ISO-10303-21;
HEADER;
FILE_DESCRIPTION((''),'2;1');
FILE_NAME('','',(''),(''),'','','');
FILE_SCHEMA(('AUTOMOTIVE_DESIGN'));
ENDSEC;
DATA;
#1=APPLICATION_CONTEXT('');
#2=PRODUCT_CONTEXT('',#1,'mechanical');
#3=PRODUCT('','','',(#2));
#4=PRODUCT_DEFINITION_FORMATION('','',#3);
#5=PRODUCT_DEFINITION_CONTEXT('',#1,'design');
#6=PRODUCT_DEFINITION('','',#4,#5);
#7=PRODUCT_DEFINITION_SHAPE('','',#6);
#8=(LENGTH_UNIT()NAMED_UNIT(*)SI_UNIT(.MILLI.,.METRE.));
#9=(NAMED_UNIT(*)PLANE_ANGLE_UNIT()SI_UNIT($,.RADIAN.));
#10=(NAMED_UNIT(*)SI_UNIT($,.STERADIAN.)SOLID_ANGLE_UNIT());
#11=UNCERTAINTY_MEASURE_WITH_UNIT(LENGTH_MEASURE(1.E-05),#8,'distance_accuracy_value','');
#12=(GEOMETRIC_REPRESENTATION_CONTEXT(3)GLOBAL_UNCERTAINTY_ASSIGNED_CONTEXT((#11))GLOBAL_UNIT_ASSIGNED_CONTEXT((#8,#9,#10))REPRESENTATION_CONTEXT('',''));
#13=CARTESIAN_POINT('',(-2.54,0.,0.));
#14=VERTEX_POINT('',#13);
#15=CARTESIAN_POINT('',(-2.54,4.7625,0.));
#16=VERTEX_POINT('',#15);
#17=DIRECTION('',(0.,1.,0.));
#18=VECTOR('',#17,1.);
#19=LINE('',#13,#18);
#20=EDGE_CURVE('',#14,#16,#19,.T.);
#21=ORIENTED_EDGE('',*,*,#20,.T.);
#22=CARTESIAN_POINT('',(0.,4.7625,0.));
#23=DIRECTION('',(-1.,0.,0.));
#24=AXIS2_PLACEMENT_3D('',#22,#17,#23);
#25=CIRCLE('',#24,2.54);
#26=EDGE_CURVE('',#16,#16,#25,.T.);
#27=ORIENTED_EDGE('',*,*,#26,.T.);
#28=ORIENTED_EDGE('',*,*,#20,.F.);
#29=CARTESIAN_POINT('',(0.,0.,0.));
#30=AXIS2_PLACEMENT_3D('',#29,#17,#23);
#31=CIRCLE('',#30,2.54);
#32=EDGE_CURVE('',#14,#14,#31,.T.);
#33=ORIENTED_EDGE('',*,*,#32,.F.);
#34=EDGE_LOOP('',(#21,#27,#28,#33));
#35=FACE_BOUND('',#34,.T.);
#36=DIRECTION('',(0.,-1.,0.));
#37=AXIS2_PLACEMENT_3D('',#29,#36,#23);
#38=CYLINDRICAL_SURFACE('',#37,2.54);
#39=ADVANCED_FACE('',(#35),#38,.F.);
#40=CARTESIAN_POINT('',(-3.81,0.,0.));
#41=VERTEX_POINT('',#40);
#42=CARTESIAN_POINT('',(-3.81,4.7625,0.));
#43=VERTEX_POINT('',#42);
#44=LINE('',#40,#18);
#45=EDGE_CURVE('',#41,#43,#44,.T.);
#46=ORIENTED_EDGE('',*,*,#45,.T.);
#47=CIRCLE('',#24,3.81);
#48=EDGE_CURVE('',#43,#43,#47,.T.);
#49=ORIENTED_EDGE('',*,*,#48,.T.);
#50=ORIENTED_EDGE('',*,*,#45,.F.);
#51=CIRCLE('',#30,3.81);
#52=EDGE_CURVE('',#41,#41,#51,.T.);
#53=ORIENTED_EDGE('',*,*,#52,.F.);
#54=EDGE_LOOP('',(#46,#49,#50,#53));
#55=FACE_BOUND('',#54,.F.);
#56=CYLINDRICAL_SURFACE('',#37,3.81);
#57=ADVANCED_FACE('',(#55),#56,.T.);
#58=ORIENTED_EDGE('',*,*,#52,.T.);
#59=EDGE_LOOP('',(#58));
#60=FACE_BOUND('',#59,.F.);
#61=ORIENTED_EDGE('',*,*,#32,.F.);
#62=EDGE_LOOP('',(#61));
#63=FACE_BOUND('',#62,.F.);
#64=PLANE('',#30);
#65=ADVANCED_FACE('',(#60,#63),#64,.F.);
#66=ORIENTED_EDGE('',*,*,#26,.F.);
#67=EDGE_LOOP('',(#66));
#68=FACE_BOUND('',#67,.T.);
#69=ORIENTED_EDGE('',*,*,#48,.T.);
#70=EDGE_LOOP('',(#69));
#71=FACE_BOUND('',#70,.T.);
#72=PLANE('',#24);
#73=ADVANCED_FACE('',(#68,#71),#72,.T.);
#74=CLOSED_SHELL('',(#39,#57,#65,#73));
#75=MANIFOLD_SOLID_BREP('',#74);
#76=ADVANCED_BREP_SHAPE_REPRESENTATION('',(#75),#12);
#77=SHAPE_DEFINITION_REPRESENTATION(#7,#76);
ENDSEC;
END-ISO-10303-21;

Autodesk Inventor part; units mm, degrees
ref_plane "YZ Plane" through (0, 0, 0) normal (1, 0, 0) x (0, 1, 0)
ref_plane "XZ Plane" through (0, 0, 0) normal (0, 1, 0) x (-1, 0, 0)
ref_plane "XY Plane" through (0, 0, 0) normal (0, 0, 1) x (1, 0, 0)
sketch "Sketch1" plane through (0, 0, 0) normal (0, 1, 0) x (-1, 0, 0)
  circle A0 centre (0, 0) radius 2.54
  circle A1 centre (0, 0) radius 3.81
  dimension "d0" = 5.08
  dimension "d1" = 7.62
extrude "Extrusion1" add sketch "Sketch1" along normal blind 4.7625
properties part number "ELEV_035_SPACER9" material "Aluminum 6061"
